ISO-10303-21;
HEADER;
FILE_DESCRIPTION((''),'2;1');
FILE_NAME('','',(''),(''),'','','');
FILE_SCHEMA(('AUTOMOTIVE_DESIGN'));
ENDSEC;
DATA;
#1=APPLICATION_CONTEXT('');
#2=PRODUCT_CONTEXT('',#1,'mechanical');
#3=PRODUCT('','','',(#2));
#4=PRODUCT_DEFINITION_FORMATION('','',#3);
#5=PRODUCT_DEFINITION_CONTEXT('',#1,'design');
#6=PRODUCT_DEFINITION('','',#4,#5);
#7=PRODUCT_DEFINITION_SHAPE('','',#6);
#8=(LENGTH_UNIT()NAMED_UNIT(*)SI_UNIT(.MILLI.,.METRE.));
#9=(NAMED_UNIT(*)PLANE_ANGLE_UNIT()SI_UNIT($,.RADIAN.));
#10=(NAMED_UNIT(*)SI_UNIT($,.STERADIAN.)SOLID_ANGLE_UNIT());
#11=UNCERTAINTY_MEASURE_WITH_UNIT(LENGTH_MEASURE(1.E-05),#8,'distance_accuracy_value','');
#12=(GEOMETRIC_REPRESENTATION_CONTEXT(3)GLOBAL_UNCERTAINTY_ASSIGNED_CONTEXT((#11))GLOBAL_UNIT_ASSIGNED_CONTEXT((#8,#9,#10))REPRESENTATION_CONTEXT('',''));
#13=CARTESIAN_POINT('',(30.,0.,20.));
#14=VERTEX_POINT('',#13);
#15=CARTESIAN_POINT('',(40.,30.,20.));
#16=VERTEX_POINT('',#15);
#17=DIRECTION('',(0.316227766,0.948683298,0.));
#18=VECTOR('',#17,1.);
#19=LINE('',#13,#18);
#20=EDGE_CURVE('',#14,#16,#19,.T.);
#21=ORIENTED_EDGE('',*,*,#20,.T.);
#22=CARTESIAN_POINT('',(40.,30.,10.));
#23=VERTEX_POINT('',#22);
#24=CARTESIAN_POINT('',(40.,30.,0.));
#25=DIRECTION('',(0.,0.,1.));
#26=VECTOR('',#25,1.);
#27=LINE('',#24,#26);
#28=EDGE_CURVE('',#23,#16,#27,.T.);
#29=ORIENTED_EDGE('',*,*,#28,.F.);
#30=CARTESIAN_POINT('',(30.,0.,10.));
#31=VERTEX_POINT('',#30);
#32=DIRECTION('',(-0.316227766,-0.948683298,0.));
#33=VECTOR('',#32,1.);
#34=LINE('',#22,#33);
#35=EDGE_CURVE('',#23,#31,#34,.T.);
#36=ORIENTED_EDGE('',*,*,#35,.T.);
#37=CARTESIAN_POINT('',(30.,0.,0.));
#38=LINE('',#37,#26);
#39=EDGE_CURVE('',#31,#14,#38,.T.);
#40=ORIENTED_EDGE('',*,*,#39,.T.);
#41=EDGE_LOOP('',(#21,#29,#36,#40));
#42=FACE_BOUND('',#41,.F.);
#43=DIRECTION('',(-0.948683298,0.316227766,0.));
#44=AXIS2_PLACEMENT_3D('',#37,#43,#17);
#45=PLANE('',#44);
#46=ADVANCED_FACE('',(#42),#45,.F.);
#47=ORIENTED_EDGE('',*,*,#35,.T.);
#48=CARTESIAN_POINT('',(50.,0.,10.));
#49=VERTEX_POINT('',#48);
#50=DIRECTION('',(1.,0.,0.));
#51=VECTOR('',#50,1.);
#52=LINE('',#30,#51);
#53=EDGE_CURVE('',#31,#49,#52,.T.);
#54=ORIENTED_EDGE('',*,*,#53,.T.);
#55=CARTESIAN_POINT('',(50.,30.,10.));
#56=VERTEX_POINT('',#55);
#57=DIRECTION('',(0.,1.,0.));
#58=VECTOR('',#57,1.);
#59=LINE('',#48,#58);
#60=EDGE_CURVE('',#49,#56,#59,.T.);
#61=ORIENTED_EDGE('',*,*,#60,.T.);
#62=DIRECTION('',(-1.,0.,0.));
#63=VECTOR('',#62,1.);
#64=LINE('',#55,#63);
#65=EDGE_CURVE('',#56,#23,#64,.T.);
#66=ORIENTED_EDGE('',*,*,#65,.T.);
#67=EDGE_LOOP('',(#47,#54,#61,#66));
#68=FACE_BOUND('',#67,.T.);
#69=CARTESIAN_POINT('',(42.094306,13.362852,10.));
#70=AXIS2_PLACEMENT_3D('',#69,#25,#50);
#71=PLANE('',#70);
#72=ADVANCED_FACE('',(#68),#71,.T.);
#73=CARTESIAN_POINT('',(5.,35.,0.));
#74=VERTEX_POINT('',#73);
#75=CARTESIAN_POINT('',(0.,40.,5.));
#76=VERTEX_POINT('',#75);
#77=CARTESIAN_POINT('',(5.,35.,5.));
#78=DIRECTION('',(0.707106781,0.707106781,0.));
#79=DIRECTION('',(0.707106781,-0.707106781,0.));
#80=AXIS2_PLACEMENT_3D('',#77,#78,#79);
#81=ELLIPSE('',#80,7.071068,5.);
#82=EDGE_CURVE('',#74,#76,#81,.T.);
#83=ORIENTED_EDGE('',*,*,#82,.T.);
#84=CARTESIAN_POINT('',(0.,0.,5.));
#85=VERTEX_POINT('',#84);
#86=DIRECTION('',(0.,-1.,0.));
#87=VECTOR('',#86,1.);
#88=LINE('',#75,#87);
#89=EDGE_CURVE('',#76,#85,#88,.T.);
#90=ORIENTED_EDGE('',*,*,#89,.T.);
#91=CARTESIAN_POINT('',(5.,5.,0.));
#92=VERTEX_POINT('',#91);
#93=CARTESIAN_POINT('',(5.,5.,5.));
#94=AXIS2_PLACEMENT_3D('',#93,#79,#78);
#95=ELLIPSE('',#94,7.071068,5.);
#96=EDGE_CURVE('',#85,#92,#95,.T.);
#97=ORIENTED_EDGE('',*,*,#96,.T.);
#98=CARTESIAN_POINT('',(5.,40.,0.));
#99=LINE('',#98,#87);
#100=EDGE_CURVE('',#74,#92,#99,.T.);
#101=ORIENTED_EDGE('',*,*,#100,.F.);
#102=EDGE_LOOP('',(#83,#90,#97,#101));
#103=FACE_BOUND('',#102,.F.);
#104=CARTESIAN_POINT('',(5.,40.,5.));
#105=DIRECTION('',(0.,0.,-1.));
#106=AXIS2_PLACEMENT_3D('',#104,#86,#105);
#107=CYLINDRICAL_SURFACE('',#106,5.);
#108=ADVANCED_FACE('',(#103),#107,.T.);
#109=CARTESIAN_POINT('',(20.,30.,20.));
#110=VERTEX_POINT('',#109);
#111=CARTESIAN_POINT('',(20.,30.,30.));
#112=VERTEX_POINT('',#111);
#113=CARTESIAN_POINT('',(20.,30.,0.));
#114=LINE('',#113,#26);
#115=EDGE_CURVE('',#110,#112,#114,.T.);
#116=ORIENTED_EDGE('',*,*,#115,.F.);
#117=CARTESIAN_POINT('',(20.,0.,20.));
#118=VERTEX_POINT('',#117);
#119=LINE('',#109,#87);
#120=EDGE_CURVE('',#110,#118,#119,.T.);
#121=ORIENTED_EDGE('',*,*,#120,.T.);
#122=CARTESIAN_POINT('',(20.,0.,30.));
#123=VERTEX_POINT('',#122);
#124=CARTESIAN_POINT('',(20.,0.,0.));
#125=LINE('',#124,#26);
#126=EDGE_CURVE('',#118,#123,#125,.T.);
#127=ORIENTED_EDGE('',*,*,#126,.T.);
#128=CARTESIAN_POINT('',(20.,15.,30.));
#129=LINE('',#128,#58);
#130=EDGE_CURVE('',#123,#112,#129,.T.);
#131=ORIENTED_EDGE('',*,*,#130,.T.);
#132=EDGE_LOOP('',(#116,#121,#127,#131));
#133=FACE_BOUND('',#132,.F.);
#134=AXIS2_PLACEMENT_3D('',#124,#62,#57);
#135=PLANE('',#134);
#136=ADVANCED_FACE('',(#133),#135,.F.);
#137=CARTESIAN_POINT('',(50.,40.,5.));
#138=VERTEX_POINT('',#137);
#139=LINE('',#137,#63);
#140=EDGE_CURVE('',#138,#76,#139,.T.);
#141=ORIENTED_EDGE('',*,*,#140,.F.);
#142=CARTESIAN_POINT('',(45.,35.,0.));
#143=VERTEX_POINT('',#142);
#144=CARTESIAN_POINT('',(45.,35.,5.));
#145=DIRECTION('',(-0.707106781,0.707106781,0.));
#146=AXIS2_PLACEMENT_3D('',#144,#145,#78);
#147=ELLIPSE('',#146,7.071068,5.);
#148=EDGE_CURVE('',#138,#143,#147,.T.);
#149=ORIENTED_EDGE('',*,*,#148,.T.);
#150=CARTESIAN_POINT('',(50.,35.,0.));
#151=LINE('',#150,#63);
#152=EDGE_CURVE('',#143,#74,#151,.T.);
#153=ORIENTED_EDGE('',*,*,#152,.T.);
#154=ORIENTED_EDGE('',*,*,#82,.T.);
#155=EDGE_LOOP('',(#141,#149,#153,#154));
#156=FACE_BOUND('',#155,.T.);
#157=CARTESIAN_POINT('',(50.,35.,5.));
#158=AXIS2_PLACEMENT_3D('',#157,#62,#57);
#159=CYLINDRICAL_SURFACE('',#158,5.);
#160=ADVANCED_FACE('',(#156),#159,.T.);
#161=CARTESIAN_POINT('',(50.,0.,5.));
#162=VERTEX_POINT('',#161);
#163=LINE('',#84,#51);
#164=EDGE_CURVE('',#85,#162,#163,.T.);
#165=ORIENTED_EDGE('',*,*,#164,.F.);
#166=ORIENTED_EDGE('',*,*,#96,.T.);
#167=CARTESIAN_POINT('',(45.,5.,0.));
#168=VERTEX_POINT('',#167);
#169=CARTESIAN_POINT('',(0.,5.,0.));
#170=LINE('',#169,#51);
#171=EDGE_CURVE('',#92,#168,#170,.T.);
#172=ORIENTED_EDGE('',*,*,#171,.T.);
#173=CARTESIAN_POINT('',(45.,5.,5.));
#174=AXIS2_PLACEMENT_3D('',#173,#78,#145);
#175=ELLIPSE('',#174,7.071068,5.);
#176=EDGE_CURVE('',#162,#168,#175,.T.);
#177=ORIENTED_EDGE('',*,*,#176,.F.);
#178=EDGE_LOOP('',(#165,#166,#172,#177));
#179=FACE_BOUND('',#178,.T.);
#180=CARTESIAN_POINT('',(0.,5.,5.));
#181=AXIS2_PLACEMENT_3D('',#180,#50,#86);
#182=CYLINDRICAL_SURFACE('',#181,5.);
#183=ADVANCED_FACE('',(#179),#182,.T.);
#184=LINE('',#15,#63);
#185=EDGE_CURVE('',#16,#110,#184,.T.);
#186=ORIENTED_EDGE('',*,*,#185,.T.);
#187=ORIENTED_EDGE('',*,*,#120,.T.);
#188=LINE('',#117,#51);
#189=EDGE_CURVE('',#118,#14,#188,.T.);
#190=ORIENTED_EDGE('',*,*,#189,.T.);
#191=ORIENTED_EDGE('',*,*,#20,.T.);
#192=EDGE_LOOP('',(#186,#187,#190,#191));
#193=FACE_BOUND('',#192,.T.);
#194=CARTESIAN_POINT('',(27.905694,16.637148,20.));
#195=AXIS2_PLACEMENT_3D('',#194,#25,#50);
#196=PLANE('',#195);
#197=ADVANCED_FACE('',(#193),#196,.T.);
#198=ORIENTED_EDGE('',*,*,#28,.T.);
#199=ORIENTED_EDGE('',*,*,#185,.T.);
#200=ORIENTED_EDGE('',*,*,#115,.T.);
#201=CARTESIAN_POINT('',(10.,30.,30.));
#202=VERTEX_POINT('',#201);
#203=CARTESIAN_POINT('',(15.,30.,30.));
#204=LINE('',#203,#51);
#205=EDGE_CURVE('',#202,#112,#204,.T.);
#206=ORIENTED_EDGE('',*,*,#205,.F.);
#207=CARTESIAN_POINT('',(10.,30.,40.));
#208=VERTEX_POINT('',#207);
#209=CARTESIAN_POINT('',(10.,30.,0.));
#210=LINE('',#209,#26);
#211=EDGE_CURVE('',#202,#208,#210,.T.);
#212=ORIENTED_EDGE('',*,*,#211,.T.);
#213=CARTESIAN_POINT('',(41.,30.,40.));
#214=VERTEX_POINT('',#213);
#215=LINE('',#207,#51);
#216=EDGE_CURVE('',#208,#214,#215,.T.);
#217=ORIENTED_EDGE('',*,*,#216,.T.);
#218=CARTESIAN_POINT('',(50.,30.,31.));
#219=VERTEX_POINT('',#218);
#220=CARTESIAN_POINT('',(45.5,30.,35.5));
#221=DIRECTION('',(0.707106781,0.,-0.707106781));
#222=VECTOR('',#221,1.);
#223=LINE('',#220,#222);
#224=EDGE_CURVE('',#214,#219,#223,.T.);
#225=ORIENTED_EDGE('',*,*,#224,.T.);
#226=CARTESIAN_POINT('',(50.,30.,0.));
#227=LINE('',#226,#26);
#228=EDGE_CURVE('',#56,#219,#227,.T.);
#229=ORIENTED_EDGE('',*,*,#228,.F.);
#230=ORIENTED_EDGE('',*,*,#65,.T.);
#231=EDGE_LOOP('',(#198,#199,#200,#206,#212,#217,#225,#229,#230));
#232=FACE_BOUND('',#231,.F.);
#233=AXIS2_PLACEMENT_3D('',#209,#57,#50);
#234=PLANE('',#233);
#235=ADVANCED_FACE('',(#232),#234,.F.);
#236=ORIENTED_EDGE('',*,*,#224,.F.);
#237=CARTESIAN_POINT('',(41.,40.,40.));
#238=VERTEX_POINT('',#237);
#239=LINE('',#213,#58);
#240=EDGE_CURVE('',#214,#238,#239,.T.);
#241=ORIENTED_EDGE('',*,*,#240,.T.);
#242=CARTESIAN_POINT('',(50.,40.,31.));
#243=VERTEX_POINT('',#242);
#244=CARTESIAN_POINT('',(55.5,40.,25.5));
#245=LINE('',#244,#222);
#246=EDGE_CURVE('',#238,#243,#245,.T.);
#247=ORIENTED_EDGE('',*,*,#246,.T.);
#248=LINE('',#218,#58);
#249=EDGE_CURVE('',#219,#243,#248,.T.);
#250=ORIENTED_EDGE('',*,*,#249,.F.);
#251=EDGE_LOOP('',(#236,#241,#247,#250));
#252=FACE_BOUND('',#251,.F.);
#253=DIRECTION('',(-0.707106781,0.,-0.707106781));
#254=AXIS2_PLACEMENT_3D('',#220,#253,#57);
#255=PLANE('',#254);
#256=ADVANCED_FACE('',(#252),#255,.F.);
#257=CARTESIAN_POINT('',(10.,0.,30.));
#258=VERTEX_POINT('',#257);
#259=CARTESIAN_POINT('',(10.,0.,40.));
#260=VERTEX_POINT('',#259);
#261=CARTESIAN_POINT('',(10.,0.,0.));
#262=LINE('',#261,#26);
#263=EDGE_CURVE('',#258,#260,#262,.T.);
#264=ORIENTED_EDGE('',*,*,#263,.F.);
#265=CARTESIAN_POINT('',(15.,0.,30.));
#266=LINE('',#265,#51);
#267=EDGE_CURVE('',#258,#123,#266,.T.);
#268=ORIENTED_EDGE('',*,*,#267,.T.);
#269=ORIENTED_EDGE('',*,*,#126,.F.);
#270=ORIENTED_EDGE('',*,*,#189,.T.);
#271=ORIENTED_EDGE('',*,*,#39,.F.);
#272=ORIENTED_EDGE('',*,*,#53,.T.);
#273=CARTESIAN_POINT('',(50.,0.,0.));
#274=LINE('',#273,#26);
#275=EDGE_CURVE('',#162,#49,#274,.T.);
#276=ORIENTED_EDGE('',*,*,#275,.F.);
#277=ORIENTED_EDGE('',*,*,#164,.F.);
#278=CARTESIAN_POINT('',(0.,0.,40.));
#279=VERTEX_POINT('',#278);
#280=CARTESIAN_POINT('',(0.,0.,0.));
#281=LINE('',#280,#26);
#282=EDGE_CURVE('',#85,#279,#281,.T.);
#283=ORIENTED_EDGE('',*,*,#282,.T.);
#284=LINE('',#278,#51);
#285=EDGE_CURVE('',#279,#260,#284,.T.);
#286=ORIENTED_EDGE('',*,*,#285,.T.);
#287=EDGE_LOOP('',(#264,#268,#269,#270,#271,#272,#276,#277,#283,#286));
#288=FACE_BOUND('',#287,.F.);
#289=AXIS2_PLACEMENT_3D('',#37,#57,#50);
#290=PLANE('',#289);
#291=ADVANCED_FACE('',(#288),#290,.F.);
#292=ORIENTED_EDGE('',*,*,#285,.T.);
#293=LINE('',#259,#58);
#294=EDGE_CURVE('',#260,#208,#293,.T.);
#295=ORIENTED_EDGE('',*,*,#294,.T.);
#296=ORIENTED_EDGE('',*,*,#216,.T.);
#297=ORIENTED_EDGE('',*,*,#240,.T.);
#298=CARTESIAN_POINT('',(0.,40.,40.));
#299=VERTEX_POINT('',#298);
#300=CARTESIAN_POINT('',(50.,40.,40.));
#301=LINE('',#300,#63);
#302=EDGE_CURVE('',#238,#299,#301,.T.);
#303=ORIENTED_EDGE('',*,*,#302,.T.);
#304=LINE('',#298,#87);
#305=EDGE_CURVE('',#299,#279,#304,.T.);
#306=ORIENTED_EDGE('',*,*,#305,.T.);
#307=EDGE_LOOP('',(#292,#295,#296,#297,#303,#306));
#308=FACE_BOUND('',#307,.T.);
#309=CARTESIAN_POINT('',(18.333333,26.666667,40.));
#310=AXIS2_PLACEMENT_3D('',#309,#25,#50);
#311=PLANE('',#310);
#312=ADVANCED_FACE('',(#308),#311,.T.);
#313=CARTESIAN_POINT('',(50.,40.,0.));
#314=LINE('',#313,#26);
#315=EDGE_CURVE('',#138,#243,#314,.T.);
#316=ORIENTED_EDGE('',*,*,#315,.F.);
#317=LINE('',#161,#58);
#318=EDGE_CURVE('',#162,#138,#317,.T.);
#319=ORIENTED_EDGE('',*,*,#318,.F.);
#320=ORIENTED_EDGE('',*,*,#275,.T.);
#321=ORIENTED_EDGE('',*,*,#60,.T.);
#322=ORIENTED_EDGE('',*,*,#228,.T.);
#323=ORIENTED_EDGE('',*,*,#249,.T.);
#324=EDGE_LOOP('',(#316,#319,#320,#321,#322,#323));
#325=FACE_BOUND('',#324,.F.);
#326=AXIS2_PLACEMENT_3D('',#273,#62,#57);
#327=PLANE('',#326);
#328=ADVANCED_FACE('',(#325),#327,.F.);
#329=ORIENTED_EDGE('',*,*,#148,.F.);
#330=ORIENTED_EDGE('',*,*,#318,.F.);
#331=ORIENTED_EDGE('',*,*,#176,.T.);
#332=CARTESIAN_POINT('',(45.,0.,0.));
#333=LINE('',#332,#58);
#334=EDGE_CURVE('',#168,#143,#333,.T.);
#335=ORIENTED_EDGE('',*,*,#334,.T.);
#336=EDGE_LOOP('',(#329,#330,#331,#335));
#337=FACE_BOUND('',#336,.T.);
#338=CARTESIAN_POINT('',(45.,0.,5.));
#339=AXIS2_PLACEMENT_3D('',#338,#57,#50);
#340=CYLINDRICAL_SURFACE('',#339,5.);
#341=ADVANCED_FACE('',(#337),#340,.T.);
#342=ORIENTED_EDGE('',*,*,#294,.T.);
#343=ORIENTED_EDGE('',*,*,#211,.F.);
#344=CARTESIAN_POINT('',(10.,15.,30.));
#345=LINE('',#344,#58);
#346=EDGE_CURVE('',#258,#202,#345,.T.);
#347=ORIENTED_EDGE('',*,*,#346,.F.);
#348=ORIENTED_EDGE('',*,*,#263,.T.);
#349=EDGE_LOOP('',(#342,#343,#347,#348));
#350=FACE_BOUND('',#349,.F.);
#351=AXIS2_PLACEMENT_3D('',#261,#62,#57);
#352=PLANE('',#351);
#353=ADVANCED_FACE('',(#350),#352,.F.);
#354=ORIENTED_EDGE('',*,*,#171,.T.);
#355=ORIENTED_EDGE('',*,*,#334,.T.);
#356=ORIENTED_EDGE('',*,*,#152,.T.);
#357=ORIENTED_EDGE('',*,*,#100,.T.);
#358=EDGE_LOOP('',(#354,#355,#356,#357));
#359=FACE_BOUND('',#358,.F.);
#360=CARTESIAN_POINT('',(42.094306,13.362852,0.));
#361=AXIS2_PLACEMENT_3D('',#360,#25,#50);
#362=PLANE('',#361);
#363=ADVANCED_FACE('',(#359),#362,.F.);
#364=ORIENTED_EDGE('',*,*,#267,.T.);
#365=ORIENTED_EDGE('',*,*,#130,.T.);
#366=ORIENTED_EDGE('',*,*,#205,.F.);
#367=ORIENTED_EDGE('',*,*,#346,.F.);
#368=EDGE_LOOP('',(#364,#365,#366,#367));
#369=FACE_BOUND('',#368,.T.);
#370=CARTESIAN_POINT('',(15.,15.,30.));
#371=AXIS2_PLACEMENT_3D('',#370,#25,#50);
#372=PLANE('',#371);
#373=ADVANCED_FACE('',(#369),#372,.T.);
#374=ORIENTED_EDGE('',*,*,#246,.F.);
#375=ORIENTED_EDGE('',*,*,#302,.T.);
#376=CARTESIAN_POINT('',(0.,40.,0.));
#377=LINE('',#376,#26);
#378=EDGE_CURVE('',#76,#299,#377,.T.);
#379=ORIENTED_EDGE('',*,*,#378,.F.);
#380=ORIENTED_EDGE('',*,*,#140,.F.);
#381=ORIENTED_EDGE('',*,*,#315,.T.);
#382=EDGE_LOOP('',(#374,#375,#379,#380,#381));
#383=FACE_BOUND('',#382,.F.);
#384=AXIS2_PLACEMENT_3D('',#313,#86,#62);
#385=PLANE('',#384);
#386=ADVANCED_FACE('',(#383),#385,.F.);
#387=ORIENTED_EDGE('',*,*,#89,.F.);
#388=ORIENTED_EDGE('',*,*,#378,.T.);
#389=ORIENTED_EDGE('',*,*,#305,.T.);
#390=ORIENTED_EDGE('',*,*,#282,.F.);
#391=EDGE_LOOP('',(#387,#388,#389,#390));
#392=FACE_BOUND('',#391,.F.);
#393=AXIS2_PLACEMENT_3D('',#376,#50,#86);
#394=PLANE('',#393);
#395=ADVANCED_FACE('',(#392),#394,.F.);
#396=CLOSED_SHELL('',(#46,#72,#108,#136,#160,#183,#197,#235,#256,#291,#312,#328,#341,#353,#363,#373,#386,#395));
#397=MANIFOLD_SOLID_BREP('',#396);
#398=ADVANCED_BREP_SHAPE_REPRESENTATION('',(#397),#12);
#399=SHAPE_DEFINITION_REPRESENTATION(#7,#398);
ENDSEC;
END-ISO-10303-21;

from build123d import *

# Parameters (mm, degrees)
F1_DEPTH = 40
F0_W     = 10
F0_H     = 30
F2_DEPTH = 30
F3_DEPTH = 20
F4_DEPTH = 10
F5_SIZE  = 9
F6_R     = 5


with BuildPart() as f1:
    # F0 (on Top) → F1 (new body)
    with BuildSketch(Plane.XY):
        Polygon((0, 40), (0, 0), (10, 0), (10, 30), (20, 30), (40, 30), (50, 30), (50, 40), align=None)
    extrude(amount=F1_DEPTH)

    # F0 (on Top) → F2 (join)
    with BuildSketch(Plane.XY):
        with Locations((15, 15)):
            Rectangle(F0_W, F0_H)
    extrude(amount=F2_DEPTH)

    # F0 (on Top) → F3 (join)
    with BuildSketch(Plane.XY):
        Polygon((20, 30), (20, 0), (30, 0), (40, 30), align=None)
    extrude(amount=F3_DEPTH)

    # F0 (on Top) → F4 (join)
    with BuildSketch(Plane.XY):
        Polygon((40, 30), (30, 0), (50, 0), (50, 30), align=None)
    extrude(amount=F4_DEPTH)

    # F5
    f5_edges = [f1.edges().sort_by_distance(p)[0] for p in [
        (50, 35, 40),
    ]]
    chamfer(f5_edges, length=F5_SIZE)

    # F6
    f6_edges = [f1.edges().sort_by_distance(p)[0] for p in [
        (50, 20, 0),
        (25, 0, 0),
        (0, 20, 0),
        (25, 40, 0),
    ]]
    fillet(f6_edges, radius=F6_R)


solid = f1.part
